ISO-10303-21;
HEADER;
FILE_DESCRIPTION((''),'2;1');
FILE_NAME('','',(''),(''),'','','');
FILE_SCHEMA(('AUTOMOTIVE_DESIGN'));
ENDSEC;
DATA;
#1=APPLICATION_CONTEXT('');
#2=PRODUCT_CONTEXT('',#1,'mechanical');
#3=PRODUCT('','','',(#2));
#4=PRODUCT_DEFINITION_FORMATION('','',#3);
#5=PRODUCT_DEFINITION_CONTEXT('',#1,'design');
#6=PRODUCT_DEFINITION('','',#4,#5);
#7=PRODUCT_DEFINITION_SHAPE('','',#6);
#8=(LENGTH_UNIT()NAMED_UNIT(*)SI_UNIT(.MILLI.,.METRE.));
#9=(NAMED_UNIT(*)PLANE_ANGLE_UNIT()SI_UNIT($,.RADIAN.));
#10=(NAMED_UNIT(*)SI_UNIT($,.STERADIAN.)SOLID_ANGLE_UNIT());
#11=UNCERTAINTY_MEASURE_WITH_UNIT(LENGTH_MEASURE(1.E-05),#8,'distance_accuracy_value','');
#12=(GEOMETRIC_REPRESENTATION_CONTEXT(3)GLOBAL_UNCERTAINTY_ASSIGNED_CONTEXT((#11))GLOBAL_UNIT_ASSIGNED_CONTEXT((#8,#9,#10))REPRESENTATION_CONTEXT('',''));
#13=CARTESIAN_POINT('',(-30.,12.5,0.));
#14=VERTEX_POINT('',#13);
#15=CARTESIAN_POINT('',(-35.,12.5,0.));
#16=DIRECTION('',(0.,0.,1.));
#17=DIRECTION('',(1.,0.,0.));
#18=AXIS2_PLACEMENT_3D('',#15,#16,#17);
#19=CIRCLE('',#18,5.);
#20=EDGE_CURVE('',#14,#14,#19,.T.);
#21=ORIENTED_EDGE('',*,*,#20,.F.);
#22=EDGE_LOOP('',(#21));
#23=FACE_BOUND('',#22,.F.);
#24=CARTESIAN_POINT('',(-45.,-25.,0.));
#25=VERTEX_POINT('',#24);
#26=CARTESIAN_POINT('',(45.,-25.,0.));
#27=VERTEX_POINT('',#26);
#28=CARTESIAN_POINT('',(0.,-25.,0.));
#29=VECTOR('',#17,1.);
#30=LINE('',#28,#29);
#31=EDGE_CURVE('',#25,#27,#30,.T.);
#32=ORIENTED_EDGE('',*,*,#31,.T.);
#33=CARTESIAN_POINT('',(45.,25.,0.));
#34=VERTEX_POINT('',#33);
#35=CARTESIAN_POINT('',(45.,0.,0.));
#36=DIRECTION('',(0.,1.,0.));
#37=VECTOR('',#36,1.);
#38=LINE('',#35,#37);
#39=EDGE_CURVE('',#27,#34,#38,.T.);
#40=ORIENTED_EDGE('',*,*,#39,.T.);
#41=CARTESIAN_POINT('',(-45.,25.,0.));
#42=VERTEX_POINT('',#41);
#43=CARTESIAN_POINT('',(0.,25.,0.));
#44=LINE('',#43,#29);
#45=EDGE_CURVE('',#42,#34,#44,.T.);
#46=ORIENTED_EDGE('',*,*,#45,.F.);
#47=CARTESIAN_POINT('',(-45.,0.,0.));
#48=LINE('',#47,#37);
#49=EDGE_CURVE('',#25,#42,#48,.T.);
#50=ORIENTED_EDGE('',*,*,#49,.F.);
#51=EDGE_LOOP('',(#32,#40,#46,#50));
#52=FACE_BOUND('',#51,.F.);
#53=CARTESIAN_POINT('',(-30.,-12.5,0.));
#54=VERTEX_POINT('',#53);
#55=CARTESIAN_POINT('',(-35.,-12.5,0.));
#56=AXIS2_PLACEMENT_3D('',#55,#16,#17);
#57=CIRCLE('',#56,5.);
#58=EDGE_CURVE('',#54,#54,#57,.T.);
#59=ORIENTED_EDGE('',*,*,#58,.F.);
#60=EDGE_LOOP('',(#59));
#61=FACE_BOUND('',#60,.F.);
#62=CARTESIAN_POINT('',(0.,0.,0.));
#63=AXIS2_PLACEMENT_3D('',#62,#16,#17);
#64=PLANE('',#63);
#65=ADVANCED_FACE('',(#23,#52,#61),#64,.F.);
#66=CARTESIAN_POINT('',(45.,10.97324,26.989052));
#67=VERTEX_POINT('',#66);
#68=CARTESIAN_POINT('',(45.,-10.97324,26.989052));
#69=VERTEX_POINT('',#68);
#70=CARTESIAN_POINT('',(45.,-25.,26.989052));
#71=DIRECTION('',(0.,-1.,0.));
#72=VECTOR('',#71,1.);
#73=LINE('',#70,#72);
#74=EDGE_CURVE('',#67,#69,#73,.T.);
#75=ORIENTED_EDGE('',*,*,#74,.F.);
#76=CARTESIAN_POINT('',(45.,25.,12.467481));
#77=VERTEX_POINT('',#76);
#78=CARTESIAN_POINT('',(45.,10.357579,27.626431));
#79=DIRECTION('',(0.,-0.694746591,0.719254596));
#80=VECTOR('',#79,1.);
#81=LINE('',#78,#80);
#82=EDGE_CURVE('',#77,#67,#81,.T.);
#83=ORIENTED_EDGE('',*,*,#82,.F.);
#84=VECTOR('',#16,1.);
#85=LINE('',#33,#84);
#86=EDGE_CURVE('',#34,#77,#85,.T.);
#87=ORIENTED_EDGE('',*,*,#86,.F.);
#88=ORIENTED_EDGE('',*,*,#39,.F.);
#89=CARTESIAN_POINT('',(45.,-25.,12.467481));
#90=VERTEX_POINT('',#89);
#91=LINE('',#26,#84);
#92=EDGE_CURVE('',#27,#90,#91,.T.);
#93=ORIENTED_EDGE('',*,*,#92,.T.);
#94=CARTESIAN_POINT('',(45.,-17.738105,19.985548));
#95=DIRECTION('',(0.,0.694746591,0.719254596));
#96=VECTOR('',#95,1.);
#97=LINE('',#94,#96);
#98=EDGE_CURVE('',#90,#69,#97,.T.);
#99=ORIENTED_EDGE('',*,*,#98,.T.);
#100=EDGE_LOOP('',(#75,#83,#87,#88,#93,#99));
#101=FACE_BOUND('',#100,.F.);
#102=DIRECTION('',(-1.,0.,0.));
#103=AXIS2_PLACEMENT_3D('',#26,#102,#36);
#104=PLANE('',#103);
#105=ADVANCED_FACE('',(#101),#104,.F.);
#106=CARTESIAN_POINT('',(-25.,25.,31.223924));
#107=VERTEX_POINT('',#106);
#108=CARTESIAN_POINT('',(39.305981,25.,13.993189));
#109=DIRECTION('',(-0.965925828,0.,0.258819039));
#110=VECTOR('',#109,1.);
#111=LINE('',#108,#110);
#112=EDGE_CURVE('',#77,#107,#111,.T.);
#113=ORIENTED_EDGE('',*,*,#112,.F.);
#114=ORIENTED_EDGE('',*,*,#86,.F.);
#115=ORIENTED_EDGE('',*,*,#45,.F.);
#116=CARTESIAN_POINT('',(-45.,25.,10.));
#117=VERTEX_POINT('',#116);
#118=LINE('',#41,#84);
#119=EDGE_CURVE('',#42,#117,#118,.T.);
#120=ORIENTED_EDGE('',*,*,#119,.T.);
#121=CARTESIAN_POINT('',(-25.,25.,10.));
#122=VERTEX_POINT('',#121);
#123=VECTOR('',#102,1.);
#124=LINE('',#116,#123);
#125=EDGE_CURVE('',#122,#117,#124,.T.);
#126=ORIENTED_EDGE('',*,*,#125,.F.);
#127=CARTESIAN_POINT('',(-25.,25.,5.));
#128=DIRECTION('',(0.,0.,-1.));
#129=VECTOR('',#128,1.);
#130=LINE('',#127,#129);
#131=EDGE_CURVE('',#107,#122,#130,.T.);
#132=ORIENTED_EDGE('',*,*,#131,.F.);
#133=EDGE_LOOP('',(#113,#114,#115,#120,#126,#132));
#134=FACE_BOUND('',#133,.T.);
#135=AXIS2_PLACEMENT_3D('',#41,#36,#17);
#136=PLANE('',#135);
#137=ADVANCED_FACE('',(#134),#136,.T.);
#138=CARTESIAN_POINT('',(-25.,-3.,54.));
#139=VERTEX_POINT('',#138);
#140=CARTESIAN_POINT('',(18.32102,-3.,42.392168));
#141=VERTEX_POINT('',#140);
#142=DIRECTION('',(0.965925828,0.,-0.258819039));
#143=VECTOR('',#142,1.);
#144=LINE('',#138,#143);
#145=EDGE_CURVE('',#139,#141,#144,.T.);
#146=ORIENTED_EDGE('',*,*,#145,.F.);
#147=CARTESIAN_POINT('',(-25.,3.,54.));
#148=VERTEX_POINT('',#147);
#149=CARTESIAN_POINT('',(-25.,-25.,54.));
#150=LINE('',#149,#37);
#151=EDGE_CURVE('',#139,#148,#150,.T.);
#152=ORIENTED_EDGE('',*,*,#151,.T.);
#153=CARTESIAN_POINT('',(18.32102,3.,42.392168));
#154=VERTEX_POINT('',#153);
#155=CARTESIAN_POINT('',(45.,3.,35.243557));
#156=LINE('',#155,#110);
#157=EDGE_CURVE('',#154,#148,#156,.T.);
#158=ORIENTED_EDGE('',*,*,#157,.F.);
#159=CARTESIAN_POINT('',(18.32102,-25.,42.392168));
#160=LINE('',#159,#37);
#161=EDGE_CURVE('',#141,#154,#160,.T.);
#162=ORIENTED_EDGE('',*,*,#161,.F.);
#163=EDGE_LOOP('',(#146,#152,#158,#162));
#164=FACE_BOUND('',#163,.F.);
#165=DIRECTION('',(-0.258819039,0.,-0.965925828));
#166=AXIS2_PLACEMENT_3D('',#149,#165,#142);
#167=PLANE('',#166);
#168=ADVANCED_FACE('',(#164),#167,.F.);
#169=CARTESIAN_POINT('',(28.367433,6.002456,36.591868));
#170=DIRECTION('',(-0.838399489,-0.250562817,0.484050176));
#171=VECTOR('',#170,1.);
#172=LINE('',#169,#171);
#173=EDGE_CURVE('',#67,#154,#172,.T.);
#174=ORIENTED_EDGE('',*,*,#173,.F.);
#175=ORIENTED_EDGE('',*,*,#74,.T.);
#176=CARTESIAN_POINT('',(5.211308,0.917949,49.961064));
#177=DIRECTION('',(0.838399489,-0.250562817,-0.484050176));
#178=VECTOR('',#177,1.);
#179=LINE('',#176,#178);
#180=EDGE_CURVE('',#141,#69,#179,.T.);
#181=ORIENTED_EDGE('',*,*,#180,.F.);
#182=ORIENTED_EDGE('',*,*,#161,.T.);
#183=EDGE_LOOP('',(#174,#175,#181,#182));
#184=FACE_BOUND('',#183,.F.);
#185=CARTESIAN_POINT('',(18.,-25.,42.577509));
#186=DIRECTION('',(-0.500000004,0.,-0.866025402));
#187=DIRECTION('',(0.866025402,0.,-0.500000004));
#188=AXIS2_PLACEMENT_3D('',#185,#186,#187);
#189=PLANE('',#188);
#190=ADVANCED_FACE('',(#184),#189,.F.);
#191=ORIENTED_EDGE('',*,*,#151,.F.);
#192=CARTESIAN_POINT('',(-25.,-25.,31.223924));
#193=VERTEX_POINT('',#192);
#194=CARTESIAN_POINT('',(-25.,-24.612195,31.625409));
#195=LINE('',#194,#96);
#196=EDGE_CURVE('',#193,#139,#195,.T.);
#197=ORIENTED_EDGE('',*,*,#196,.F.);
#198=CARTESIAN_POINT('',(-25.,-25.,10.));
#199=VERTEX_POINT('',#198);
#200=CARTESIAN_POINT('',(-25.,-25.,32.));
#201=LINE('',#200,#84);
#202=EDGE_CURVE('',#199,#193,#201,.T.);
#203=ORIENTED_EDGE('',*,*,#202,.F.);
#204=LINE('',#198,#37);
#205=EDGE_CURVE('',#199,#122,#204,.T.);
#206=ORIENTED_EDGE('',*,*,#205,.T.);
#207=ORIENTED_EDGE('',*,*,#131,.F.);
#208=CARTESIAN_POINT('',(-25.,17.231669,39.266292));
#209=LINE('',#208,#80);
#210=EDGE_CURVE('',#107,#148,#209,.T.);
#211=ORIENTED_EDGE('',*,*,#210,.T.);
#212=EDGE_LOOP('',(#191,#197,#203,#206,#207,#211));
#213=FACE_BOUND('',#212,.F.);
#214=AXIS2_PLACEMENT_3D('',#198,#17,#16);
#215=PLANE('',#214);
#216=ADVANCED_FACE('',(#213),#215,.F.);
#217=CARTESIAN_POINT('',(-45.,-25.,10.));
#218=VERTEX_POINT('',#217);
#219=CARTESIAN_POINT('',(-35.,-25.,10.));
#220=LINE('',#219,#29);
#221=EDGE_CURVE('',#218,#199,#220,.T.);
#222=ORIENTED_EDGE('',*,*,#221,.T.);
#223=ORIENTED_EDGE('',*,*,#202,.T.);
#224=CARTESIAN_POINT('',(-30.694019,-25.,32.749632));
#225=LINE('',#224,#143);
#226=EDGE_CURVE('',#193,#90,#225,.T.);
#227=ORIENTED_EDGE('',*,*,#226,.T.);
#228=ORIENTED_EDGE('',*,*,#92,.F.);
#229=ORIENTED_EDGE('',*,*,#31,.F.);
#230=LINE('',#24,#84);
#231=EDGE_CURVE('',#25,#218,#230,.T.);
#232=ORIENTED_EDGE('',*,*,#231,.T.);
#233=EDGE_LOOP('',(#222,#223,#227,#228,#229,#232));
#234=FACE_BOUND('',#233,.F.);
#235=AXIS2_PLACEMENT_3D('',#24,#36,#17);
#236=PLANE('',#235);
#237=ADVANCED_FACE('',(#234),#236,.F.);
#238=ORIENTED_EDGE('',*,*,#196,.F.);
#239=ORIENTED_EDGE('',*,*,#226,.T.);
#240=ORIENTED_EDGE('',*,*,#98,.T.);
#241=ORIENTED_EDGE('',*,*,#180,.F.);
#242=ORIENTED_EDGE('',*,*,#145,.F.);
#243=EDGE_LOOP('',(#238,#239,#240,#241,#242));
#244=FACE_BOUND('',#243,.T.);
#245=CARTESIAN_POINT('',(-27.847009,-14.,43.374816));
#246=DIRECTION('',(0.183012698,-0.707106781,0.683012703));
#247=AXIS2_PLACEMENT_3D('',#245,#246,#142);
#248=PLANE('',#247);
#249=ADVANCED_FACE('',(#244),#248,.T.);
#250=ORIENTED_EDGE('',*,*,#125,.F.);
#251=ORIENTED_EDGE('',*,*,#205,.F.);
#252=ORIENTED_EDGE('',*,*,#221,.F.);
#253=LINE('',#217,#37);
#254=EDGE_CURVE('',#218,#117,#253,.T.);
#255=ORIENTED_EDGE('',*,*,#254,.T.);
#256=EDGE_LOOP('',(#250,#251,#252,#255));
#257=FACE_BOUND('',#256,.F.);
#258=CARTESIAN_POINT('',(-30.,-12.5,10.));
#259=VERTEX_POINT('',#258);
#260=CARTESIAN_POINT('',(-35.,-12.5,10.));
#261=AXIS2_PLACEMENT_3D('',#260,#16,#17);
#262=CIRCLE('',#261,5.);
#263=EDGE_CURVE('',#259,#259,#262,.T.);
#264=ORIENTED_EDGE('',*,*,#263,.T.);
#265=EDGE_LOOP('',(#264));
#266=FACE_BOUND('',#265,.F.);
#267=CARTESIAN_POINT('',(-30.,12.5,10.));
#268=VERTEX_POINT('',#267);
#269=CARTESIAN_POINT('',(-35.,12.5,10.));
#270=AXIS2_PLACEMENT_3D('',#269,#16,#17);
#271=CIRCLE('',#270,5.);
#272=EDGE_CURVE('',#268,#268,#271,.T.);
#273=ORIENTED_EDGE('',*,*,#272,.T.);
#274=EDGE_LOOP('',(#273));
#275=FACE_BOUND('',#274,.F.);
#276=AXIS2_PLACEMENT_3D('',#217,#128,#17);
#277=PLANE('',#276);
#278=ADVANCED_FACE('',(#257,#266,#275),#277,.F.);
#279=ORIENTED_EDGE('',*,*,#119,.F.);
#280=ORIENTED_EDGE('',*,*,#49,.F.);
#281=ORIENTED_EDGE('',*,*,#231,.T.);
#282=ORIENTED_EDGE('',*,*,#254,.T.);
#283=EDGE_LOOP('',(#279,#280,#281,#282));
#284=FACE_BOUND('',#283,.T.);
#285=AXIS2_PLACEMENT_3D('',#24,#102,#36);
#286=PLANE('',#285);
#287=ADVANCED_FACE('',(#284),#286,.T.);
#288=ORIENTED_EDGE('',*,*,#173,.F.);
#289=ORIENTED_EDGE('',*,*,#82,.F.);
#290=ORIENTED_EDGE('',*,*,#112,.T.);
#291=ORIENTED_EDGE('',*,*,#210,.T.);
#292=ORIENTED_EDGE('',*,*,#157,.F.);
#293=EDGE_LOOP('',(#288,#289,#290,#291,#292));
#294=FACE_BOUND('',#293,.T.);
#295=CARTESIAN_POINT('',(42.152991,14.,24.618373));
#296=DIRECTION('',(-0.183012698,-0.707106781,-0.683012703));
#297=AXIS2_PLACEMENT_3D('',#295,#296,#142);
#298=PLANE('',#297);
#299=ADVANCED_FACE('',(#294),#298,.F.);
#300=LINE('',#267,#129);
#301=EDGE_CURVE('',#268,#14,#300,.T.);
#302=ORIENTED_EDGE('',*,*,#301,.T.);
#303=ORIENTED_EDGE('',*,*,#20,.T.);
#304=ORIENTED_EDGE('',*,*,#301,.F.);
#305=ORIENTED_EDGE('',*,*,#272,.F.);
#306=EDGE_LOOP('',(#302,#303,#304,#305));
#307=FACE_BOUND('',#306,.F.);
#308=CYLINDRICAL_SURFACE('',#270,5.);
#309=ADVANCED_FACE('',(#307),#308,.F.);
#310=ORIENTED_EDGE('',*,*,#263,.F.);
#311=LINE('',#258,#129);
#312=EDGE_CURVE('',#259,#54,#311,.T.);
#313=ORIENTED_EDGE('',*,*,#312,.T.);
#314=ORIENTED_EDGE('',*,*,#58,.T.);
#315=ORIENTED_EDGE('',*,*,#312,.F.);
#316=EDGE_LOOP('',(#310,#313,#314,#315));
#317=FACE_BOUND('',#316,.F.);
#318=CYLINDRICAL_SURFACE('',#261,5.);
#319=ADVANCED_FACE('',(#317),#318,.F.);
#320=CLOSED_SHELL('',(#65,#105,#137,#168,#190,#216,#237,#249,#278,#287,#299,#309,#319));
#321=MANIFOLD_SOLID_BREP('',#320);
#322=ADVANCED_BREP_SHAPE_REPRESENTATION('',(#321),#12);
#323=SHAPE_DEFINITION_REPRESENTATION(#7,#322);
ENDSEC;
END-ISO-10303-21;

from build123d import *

# Parameters (mm, degrees)
F0_W     = 90
F0_H     = 50
F1_DEPTH = 54
F2_W     = 20
F2_H     = 44
F3_DEPTH = 50.001
F4_SIZE  = 22
F6_DEPTH = 50.001
F7_R     = 5
F8_DEPTH = 25


with BuildPart() as f1:
    # F0 (on Top) → F1 (new body)
    with BuildSketch(Plane.XY):
        Rectangle(F0_W, F0_H)
    extrude(amount=F1_DEPTH)

    # F2 (on face) → F3 (cut, through all)
    with BuildSketch(Plane.XZ.offset(25)):
        with Locations((-35, 32)):
            Rectangle(F2_W, F2_H)
        Polygon((45, 54), (-25, 54), (45, 35.243557), align=None)
    extrude(amount=-F3_DEPTH, mode=Mode.SUBTRACT)

    # F4
    f4_edges = [f1.edges().sort_by_distance(p)[0] for p in [
        (10, -25, 44.621778),
        (10, 25, 44.621778),
    ]]
    chamfer(f4_edges, length=F4_SIZE)

    # F5 (on face) → F6 (cut, through all)
    with BuildSketch(Plane.XZ.offset(25)):
        Polygon((61.415475, 42.577509), (18, 42.577509), (61.007772, 17.74696), align=None)
    extrude(amount=-F6_DEPTH, mode=Mode.SUBTRACT)

    # F7 (on face) → F8 (cut)
    with BuildSketch(Plane.XY.offset(10)):
        with Locations((-35, 12.5)):
            Circle(F7_R)
        with Locations((-35, -12.5)):
            Circle(F7_R)
    extrude(amount=-F8_DEPTH, mode=Mode.SUBTRACT)


solid = f1.part
